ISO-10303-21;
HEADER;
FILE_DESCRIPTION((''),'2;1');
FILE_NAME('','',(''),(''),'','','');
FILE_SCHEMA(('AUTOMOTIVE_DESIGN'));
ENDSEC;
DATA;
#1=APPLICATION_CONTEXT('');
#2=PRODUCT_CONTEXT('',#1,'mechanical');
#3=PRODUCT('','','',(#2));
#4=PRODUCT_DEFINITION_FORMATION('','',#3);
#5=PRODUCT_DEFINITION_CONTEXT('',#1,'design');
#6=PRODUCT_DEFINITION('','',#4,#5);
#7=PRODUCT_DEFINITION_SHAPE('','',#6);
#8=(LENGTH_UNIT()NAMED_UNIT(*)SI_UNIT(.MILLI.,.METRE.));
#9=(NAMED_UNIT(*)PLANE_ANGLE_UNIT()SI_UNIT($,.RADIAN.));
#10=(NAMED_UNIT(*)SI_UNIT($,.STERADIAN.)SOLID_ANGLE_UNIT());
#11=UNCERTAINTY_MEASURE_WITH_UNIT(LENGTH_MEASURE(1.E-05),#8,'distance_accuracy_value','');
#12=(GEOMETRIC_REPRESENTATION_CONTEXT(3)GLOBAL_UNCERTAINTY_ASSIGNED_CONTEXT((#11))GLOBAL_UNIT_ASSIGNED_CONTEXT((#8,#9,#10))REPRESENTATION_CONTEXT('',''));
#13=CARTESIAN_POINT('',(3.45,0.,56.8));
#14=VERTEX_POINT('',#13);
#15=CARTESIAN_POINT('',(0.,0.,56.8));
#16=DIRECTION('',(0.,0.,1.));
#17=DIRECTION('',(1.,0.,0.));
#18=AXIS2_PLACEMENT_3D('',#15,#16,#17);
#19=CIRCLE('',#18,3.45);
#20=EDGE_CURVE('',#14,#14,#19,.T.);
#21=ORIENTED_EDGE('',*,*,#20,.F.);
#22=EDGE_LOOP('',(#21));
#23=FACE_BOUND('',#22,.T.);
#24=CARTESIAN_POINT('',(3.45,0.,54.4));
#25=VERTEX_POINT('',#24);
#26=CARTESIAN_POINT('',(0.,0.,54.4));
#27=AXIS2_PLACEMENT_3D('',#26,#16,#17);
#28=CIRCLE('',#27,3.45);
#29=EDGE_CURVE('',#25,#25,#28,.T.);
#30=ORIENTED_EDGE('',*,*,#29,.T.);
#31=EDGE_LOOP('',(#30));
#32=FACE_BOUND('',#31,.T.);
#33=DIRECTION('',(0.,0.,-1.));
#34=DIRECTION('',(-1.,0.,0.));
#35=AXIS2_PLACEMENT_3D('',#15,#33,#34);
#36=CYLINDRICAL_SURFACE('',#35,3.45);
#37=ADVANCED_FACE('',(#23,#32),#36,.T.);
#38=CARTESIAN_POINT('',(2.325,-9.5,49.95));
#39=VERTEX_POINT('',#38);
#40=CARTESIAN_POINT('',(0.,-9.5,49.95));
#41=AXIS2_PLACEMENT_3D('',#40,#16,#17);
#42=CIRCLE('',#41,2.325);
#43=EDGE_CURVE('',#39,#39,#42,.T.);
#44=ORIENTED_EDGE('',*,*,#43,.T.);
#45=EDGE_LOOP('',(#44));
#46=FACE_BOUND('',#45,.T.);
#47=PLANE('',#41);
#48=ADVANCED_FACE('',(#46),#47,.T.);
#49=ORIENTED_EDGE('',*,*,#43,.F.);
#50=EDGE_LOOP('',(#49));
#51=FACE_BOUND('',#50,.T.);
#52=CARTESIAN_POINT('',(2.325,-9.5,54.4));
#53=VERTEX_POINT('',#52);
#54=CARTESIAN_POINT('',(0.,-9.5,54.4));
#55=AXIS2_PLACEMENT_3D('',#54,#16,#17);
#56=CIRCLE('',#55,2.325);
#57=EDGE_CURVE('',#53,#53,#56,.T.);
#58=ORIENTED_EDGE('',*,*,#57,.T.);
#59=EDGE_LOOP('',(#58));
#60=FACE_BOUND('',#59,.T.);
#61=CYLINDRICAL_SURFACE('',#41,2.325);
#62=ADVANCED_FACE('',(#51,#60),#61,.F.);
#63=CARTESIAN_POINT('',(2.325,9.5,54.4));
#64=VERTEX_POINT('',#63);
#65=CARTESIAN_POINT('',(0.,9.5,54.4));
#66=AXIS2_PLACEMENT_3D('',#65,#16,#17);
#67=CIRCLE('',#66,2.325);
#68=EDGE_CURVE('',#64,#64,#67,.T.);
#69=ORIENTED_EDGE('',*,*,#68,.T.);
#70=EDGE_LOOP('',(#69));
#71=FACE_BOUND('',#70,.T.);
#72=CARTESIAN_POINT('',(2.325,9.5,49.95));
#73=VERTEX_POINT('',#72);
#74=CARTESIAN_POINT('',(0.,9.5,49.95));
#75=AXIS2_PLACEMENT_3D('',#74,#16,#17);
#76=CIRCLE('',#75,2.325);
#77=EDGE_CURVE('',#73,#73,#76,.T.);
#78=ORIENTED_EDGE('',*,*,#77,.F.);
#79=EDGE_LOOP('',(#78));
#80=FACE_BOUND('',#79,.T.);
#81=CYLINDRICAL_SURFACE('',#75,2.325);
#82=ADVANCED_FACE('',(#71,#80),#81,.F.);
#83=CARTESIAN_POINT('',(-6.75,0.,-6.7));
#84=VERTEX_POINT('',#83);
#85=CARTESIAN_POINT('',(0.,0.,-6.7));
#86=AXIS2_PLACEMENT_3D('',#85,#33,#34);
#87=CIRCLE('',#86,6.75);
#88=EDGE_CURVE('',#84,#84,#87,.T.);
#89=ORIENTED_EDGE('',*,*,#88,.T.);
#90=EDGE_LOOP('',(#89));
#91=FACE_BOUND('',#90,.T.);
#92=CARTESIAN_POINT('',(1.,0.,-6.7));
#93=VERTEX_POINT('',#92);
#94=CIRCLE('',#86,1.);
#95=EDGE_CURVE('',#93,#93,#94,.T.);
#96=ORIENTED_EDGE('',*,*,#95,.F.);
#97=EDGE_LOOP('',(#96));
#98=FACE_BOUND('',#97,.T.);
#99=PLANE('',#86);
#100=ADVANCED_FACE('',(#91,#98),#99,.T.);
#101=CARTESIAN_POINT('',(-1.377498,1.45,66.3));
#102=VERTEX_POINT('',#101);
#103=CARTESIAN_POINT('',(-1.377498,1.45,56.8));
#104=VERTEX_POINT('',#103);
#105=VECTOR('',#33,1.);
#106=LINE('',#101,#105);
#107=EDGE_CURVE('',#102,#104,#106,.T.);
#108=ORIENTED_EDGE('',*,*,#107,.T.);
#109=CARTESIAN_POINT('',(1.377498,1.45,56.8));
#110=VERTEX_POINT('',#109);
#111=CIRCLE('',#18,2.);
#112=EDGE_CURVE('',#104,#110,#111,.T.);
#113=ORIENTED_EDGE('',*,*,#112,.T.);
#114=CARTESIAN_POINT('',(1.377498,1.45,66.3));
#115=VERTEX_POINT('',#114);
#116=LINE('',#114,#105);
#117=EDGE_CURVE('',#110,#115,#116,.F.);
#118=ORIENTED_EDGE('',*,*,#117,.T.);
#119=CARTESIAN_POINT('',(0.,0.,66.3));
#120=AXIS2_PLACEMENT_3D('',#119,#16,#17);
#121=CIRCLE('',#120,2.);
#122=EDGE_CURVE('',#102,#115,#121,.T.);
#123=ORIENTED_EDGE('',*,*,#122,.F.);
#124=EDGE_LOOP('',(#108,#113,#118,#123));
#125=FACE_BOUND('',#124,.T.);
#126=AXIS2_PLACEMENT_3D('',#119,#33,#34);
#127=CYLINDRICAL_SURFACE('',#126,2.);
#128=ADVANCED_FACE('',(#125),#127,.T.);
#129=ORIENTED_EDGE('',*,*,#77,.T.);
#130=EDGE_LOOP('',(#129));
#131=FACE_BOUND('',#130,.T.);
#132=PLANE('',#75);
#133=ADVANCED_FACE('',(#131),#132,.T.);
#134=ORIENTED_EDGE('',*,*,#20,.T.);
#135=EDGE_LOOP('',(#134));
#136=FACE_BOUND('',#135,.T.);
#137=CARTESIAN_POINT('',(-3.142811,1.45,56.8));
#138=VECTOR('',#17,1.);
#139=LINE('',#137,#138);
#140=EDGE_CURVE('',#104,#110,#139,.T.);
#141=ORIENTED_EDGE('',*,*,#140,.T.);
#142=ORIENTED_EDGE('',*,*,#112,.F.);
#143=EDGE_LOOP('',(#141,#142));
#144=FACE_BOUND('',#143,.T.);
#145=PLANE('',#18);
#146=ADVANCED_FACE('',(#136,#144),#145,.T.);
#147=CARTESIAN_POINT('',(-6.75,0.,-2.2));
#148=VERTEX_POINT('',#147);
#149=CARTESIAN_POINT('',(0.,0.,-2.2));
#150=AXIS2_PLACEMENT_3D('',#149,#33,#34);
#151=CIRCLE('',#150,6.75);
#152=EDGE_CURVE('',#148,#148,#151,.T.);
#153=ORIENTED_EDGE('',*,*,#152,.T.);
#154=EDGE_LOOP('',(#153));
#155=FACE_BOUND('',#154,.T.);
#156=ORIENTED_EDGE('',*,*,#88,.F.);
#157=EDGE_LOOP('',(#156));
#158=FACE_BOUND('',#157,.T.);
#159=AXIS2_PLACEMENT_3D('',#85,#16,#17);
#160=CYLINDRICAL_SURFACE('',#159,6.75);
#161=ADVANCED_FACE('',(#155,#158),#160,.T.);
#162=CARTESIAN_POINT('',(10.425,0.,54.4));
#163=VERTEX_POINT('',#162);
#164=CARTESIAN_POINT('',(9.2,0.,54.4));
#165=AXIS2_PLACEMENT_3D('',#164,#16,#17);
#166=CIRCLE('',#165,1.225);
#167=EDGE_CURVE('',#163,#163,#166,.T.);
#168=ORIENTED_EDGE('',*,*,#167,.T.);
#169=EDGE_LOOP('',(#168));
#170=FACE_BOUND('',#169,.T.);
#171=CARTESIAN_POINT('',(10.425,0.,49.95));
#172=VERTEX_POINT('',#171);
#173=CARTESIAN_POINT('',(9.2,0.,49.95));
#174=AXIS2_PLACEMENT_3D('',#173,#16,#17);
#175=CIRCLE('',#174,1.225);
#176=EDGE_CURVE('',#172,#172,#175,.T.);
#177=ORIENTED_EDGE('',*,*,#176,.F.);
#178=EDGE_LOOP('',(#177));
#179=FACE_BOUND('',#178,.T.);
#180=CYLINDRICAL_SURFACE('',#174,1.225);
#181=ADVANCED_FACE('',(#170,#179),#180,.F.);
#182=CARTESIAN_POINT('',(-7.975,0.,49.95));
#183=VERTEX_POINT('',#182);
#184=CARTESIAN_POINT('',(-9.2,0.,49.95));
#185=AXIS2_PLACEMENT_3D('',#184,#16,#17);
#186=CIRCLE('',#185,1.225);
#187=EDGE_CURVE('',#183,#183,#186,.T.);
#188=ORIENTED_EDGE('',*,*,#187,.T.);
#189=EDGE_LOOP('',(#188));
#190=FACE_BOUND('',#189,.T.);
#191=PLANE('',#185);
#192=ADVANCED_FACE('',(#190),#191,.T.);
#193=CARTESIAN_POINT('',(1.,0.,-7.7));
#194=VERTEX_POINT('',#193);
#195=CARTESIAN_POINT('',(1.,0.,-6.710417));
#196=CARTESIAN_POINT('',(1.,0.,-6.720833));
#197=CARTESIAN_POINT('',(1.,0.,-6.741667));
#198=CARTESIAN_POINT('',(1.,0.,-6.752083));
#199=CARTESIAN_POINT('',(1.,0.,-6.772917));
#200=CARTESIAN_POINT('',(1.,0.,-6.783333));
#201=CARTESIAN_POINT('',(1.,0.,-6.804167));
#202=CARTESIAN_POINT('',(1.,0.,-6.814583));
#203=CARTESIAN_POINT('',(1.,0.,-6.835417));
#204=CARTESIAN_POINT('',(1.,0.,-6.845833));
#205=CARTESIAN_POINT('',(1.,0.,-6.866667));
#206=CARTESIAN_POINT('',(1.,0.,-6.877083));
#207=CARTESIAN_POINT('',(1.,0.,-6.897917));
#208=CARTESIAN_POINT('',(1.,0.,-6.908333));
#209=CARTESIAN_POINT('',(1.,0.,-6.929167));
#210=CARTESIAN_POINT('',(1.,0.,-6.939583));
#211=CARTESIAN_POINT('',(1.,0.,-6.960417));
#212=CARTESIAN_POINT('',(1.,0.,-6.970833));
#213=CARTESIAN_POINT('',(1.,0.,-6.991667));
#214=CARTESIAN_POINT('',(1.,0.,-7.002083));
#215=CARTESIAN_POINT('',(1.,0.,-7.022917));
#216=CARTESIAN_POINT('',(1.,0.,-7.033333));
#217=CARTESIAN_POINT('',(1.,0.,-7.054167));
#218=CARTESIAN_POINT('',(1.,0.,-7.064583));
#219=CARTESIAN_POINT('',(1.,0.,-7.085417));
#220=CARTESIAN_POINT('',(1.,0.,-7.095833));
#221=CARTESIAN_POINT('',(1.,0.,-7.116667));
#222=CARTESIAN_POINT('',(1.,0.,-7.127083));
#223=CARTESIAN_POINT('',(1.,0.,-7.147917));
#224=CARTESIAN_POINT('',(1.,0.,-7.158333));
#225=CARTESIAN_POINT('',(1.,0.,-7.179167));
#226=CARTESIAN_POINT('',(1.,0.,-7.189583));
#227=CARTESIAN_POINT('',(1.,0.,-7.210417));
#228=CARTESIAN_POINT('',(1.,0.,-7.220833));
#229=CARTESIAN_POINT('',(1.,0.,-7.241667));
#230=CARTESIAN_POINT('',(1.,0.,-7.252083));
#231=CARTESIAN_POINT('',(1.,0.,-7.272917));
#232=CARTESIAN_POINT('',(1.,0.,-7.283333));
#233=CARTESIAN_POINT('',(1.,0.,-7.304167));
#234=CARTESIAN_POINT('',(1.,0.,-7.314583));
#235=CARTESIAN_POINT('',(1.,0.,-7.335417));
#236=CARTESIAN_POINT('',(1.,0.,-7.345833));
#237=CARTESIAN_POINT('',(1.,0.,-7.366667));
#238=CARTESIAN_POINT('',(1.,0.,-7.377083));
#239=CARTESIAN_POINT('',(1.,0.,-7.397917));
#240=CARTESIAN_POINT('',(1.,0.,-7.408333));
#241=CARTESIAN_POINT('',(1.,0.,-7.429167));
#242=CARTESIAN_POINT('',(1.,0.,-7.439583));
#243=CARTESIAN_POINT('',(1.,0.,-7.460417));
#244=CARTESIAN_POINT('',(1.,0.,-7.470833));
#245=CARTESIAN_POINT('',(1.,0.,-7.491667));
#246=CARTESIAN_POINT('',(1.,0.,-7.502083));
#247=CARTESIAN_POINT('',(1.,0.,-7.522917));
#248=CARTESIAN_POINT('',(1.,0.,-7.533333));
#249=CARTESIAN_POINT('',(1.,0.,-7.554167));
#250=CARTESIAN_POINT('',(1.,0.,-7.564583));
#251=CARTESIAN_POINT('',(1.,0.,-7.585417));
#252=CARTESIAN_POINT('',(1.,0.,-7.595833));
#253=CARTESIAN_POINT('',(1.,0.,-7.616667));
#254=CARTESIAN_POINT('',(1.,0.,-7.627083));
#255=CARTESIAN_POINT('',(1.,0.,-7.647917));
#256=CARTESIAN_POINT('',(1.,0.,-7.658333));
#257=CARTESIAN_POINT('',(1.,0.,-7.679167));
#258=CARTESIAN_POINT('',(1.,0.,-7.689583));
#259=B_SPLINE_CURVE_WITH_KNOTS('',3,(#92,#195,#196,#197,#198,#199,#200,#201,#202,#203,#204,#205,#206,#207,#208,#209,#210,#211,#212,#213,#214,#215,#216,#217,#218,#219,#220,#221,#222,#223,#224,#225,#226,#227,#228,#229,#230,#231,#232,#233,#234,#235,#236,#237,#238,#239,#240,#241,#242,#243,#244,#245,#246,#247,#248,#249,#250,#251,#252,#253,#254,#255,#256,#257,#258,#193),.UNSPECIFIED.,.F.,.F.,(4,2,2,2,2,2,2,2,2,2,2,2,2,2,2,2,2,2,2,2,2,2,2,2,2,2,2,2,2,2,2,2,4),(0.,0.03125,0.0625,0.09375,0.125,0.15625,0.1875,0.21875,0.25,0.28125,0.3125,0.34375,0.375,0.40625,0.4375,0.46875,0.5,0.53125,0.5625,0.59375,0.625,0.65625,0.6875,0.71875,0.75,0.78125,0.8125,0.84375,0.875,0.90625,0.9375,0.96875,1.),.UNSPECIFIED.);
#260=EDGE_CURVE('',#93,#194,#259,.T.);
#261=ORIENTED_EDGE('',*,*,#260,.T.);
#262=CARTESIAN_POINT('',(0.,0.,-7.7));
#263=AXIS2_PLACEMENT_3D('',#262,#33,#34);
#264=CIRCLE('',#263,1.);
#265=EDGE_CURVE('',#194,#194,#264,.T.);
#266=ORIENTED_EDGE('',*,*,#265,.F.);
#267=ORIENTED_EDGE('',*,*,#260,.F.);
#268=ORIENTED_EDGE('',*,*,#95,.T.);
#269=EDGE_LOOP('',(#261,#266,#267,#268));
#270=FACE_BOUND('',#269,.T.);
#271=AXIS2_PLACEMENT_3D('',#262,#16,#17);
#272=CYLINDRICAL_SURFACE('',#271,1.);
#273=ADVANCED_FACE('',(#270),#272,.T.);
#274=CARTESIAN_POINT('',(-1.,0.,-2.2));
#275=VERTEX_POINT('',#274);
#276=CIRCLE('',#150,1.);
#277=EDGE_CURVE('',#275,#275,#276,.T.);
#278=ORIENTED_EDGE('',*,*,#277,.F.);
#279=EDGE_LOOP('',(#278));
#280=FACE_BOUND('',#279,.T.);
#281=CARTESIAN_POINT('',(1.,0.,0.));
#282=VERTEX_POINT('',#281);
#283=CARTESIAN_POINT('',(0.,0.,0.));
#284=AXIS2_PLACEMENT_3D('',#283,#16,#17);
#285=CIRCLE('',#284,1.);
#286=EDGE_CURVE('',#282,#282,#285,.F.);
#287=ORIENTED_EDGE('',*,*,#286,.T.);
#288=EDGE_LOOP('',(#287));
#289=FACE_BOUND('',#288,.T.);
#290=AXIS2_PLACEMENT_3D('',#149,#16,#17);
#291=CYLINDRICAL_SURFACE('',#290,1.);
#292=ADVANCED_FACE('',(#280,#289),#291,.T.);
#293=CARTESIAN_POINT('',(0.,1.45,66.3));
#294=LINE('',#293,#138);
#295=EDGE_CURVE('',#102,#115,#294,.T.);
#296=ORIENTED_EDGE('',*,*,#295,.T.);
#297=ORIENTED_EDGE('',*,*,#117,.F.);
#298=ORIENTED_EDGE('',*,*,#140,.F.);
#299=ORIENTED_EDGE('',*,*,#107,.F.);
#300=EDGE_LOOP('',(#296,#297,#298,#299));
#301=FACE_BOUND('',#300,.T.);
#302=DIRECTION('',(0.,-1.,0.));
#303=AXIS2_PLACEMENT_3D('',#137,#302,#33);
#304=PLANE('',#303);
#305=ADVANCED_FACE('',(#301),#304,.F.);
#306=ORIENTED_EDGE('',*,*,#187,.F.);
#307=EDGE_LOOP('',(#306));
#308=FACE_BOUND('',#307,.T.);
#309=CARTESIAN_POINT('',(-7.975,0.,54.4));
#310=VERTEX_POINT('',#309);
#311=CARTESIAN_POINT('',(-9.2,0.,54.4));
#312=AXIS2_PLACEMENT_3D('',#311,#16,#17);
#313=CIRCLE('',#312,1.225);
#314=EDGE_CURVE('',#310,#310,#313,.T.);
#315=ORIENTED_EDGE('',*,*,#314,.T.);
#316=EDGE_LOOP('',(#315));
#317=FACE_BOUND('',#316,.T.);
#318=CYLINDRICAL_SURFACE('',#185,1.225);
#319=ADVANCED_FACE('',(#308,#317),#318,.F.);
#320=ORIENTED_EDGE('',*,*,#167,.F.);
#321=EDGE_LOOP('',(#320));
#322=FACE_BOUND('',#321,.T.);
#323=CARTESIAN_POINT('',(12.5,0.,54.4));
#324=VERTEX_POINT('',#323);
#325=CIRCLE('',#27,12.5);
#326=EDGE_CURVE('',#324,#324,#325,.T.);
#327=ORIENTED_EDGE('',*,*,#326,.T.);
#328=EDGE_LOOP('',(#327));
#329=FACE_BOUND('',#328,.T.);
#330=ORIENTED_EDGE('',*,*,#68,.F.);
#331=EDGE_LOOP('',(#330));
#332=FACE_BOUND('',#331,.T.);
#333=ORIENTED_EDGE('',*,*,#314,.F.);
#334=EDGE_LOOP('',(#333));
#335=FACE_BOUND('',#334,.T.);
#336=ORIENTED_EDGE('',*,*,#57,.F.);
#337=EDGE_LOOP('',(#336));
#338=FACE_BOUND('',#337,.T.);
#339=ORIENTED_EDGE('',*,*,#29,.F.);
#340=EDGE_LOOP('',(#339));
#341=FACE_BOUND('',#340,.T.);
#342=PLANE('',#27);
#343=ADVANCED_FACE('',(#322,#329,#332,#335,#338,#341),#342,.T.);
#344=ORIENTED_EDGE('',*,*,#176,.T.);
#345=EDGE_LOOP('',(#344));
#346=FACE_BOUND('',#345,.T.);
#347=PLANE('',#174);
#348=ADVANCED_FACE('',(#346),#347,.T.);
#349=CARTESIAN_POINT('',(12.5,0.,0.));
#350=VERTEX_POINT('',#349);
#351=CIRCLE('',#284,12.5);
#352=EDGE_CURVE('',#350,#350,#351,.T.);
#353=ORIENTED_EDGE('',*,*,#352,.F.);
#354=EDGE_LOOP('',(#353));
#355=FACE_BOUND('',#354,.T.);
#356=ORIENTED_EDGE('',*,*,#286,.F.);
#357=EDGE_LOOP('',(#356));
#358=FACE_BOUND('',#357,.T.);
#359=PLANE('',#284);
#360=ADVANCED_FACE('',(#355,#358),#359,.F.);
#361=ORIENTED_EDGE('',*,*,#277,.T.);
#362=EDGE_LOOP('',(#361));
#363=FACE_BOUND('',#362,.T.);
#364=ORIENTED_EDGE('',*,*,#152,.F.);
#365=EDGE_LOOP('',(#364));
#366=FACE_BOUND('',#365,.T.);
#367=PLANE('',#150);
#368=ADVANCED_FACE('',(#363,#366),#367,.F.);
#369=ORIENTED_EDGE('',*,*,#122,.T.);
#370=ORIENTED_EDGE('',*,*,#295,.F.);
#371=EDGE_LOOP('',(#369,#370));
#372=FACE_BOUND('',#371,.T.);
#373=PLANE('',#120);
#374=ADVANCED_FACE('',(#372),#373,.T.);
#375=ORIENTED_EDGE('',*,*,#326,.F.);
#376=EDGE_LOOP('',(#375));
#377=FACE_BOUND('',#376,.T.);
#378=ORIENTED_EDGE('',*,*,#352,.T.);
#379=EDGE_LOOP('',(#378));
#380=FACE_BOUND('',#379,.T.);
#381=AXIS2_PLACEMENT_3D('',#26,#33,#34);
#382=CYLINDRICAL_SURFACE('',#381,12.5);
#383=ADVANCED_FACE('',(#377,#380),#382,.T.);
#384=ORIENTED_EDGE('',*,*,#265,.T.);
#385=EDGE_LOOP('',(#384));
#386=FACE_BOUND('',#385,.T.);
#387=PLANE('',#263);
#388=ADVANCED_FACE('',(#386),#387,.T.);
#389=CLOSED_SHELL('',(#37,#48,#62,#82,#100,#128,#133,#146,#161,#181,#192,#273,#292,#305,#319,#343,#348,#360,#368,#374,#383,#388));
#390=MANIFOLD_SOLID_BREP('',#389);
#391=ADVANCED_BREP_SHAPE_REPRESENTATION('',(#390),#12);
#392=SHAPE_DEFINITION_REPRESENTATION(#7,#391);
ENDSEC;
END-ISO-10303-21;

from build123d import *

# Parameters (mm, degrees)
SKETCH1_R           = 12.5
BOSS_EXTRUDE1_DEPTH = 54.4
SKETCH2_R           = 3.45
BOSS_EXTRUDE2_DEPTH = 2.4
SKETCH3_R           = 2
BOSS_EXTRUDE3_DEPTH = 9.5
SKETCH4_W           = 6.273306019
SKETCH4_H           = 2.779797978
CUT_EXTRUDE1_DEPTH  = 9.5
SKETCH5_R           = 2.325
CUT_EXTRUDE2_DEPTH  = 4.45
SKETCH6_R           = 1.225
CUT_EXTRUDE3_DEPTH  = 4.45
SKETCH8_R           = 1
BOSS_EXTRUDE5_DEPTH = 7.7
SKETCH9_R           = 6.75
BOSS_EXTRUDE6_DEPTH = 6.7
SKETCH10_R          = 6.75
CUT_EXTRUDE5_DEPTH  = 2.2
SKETCH11_R          = 1
BOSS_EXTRUDE7_DEPTH = 2.2


with BuildPart() as part:
    # Sketch1 → Boss-Extrude1 (new body)
    with BuildSketch(Plane.XY):
        Circle(SKETCH1_R)
    extrude(amount=BOSS_EXTRUDE1_DEPTH)

    # Sketch2 → Boss-Extrude2 (add)
    with BuildSketch(Plane.XY.offset(54.4)):
        Circle(SKETCH2_R)
    extrude(amount=BOSS_EXTRUDE2_DEPTH)

    # Sketch3 → Boss-Extrude3 (add)
    with BuildSketch(Plane.XY.offset(56.8)):
        Circle(SKETCH3_R)
    extrude(amount=BOSS_EXTRUDE3_DEPTH)

    # Sketch4 → Cut-Extrude1 (cut)
    with BuildSketch(Plane.XY.offset(66.3)):
        with Locations((-0.006157841, 2.839898989)):
            Rectangle(SKETCH4_W, SKETCH4_H)
    extrude(amount=-CUT_EXTRUDE1_DEPTH, mode=Mode.SUBTRACT)

    # Sketch5 → Cut-Extrude2 (cut)
    with BuildSketch(Plane.XY.offset(54.4)):
        with Locations((0, 9.5)):
            Circle(SKETCH5_R)
        with Locations((0, -9.5)):
            Circle(SKETCH5_R)
    extrude(amount=-CUT_EXTRUDE2_DEPTH, mode=Mode.SUBTRACT)

    # Sketch6 → Cut-Extrude3 (cut)
    with BuildSketch(Plane.XY.offset(54.4)):
        with Locations((9.2, 0)):
            Circle(SKETCH6_R)
        with Locations((-9.2, 0)):
            Circle(SKETCH6_R)
    extrude(amount=-CUT_EXTRUDE3_DEPTH, mode=Mode.SUBTRACT)

    # Sketch8 → Boss-Extrude5 (add)
    with BuildSketch(Plane(origin=(0, 0, 0), x_dir=(-1, 0, 0), z_dir=(0, 0, -1))):
        with Locations(Location((0, 0, 0), (0, 0, 180))):
            Circle(SKETCH8_R)
    extrude(amount=BOSS_EXTRUDE5_DEPTH)

    # Sketch9 → Boss-Extrude6 (add)
    with BuildSketch(Plane(origin=(0, 0, 0), x_dir=(-1, 0, 0), z_dir=(0, 0, -1))):
        with Locations(Location((0, 0, 0), (0, 0, 180))):
            Circle(SKETCH9_R)
    extrude(amount=BOSS_EXTRUDE6_DEPTH)

    # Sketch10 → Cut-Extrude5 (cut)
    with BuildSketch(Plane(origin=(0, 0, 0), x_dir=(-1, 0, 0), z_dir=(0, 0, -1))):
        Circle(SKETCH10_R)
    extrude(amount=CUT_EXTRUDE5_DEPTH, mode=Mode.SUBTRACT)


with BuildPart() as cut_extrude5_piece_1:
    # of the separate pieces the step leaves, piece 1, a body of its own (cut_extrude5_pieces)
    add(part.part.solids().sort_by_distance((12.5, 0, 0))[0])



with BuildPart() as cut_extrude5_piece_2:
    # of the separate pieces the step leaves, piece 2, a body of its own (cut_extrude5_pieces)
    add(part.part.solids().sort_by_distance((6.75, 0, -2.2))[0])


with BuildPart() as cut_extrude5_piece_1_1:
    add(cut_extrude5_piece_1.part)

    add(cut_extrude5_piece_2.part)  # Boss-Extrude7 merges Cut-Extrude5 piece 2
    # Sketch11 → Boss-Extrude7 (add)
    with BuildSketch(Plane(origin=(0, 0, 0), x_dir=(-1, 0, 0), z_dir=(0, 0, -1))):
        with Locations(Location((0, 0, 0), (0, 0, 180))):
            Circle(SKETCH11_R)
    extrude(amount=BOSS_EXTRUDE7_DEPTH)


solid = cut_extrude5_piece_1_1.part
